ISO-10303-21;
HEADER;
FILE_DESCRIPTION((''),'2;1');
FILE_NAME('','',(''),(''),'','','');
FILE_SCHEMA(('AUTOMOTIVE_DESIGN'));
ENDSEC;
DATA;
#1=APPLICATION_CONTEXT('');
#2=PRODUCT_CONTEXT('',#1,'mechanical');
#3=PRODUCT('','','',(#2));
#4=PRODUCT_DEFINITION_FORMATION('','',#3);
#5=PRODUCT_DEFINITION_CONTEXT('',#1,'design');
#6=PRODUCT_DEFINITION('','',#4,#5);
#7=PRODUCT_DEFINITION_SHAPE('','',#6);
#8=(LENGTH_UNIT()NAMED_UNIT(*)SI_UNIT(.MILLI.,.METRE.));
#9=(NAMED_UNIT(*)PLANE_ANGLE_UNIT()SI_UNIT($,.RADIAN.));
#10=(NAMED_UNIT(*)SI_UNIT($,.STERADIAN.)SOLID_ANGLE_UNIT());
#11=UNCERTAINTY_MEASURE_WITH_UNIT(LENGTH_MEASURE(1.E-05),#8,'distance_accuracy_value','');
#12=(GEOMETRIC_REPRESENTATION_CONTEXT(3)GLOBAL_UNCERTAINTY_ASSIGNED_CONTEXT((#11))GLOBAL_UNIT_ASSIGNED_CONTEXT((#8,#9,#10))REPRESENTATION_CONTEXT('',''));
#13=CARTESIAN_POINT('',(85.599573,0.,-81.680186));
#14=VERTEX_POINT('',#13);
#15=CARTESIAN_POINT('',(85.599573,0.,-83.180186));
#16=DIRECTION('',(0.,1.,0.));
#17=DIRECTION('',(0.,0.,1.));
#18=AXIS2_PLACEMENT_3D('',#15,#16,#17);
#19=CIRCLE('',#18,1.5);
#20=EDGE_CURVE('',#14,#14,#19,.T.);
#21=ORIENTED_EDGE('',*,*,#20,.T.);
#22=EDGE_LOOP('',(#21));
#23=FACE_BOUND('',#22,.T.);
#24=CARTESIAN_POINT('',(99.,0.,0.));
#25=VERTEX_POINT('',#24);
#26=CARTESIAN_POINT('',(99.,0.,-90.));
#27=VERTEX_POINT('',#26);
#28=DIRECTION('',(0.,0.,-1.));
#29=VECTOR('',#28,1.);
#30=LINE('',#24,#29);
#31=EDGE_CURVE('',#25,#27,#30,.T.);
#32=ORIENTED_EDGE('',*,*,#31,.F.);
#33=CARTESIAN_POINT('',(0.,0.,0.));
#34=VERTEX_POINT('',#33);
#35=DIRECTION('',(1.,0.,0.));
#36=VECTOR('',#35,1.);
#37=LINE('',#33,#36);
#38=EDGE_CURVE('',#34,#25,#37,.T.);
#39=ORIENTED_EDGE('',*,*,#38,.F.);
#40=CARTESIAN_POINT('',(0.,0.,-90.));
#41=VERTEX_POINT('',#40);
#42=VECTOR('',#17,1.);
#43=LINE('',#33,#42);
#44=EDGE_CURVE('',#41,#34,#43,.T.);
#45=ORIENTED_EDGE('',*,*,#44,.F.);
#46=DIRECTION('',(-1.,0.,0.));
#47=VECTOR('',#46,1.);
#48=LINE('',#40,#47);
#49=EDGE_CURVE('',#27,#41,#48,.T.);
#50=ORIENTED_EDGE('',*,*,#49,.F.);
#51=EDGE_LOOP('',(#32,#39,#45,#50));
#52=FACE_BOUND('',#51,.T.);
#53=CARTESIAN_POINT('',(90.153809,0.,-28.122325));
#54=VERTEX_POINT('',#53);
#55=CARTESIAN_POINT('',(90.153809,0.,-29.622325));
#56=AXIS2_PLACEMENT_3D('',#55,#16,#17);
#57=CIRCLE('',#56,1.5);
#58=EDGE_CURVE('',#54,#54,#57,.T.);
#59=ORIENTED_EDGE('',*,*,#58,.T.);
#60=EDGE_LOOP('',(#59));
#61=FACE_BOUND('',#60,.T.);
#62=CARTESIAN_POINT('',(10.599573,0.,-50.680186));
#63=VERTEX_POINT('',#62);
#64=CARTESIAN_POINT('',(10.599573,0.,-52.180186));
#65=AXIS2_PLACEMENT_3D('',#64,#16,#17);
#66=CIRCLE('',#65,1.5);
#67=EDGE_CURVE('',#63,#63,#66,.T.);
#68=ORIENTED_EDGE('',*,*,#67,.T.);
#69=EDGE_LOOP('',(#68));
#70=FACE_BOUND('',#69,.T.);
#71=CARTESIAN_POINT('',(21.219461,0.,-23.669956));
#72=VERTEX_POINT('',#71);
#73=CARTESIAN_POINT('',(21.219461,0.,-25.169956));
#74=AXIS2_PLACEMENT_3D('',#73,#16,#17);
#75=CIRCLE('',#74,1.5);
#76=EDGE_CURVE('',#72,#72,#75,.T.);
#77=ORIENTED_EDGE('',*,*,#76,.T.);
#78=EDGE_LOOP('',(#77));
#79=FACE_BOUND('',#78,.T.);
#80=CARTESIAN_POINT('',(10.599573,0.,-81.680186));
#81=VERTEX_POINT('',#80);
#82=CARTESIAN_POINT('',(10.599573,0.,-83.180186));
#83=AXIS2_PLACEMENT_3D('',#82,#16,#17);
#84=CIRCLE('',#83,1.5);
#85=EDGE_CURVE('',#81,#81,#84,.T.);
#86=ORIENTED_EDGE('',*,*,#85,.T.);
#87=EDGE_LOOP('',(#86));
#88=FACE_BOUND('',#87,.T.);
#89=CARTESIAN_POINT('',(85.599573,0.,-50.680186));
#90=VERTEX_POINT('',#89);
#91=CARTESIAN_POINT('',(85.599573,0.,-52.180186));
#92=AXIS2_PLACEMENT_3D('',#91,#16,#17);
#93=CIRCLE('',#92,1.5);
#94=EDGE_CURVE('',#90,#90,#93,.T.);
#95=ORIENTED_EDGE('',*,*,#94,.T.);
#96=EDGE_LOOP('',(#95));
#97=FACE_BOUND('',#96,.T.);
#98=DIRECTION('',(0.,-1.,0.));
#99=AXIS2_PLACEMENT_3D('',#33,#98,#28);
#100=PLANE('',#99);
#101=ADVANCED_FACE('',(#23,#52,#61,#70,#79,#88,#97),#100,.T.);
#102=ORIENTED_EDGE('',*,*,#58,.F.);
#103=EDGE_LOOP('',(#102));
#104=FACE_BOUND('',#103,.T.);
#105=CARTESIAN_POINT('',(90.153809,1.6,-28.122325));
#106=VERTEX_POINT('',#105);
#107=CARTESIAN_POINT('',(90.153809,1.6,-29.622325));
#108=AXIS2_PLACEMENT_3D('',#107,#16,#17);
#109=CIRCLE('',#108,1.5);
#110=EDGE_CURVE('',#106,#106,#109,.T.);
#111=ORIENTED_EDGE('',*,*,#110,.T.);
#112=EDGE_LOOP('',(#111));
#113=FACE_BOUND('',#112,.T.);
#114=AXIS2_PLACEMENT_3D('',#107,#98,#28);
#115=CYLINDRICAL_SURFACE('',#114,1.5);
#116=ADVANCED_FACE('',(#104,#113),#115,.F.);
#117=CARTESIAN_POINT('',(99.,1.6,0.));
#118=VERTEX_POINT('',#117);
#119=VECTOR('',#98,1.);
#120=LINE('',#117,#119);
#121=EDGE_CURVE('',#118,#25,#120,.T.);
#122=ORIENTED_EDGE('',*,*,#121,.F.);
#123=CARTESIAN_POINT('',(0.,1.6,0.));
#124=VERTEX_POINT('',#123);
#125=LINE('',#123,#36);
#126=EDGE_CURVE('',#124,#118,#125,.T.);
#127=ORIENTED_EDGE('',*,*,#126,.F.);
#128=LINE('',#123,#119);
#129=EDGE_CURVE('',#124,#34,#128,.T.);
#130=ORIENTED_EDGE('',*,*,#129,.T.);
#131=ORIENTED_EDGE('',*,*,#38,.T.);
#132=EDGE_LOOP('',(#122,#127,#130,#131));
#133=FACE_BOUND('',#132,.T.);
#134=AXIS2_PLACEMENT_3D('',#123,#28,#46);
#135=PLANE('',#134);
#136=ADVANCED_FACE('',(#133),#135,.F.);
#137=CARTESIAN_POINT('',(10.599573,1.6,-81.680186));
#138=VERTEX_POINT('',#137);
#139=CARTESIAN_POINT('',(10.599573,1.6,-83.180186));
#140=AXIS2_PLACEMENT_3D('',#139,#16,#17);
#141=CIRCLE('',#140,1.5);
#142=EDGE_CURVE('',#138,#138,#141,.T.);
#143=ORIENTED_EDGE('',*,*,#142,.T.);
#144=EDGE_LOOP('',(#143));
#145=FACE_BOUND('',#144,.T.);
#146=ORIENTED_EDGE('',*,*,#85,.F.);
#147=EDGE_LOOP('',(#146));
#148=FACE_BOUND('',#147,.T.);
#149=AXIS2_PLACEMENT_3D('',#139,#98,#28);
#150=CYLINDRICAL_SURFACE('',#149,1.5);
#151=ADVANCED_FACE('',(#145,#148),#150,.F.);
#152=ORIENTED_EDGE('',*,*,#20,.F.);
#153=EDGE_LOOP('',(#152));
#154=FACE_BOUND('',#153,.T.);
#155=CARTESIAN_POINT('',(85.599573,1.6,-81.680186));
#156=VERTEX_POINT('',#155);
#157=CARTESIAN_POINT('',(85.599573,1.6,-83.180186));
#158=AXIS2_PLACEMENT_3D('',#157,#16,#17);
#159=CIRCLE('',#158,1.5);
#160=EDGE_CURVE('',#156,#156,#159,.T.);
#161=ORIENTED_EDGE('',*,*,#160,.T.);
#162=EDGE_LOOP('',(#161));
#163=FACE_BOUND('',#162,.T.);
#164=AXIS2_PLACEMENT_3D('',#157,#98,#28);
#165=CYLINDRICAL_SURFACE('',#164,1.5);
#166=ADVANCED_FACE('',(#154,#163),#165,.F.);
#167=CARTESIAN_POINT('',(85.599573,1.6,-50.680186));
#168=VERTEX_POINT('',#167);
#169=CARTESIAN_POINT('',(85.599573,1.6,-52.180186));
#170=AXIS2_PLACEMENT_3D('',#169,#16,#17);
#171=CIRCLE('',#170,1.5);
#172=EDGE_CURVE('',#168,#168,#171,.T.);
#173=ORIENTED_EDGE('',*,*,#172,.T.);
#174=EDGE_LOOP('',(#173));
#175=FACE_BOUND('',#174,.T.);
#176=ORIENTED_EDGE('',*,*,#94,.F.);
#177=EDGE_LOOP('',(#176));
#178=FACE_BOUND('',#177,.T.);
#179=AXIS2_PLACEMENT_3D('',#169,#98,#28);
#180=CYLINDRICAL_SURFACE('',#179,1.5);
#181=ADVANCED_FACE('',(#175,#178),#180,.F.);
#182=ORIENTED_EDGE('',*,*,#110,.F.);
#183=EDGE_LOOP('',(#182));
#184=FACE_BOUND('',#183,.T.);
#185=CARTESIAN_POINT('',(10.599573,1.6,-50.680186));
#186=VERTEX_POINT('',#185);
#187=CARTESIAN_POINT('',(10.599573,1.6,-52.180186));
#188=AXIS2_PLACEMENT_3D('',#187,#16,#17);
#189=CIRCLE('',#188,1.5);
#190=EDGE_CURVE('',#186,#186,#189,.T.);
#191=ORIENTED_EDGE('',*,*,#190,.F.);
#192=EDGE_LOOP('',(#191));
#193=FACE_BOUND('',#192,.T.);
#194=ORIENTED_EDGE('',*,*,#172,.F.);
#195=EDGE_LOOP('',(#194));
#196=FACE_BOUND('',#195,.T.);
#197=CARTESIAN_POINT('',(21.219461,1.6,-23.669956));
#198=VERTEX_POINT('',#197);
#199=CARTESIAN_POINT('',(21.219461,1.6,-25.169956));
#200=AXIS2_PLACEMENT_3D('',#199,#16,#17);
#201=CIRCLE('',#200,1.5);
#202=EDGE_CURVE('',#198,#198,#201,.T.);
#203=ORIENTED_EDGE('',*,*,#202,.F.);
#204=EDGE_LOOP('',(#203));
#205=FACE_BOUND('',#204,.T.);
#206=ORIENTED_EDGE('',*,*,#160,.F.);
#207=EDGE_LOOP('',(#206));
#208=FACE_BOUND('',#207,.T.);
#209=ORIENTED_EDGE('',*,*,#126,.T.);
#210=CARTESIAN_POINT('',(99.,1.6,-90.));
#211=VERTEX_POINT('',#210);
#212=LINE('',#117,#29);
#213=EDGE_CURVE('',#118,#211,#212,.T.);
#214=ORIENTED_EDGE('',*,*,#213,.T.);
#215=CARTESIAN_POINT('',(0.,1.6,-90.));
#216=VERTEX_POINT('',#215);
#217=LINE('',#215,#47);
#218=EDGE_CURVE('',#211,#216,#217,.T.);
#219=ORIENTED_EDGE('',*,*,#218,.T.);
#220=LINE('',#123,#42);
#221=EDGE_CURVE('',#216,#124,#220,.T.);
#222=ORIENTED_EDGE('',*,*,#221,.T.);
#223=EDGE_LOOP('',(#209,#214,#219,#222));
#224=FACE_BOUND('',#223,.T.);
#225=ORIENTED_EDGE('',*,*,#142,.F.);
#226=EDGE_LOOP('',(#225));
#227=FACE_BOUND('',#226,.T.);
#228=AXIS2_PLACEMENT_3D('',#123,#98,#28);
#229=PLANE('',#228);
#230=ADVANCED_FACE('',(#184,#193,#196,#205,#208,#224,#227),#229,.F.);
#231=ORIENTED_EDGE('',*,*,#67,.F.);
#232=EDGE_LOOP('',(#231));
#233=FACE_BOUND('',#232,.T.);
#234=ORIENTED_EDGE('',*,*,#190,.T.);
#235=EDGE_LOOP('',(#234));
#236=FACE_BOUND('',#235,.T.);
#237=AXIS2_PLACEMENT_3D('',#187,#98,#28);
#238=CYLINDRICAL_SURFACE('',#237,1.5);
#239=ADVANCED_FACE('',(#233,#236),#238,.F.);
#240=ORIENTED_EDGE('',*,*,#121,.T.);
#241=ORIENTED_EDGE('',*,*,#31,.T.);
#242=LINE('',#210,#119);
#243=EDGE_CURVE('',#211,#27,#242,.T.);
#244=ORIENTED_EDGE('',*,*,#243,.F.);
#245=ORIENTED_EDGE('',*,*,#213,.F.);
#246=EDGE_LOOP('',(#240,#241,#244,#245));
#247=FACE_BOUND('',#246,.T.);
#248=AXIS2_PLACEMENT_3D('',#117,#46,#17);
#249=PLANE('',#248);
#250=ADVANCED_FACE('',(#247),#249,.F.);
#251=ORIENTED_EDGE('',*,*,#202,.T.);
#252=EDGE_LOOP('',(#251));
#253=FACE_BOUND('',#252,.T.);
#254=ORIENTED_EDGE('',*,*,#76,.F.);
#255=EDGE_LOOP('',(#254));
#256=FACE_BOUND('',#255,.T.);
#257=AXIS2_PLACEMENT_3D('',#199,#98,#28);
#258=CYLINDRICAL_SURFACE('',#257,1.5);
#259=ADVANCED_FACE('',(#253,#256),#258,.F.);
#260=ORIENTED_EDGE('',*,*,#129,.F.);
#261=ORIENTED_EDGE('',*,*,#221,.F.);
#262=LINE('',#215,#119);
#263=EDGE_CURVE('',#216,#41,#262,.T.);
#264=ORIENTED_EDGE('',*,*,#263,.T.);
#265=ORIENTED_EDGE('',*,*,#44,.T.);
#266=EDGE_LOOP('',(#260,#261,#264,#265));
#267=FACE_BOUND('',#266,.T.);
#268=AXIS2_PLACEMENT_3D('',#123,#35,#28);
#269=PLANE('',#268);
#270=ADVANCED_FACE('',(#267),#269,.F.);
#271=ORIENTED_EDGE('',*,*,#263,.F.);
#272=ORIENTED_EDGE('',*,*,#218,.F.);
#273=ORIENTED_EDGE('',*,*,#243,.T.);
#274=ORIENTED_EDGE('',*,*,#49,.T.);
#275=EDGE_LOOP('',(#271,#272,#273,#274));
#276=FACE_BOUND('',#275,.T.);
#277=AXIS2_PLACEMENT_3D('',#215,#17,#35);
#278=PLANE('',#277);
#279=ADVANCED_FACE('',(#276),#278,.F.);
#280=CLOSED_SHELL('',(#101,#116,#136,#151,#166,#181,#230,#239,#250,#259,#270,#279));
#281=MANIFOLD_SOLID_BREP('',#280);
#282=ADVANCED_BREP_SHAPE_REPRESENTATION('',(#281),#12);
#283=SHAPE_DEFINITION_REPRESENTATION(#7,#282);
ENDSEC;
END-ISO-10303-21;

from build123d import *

# Parameters (mm, degrees)
SKETCH_1_W      = 99
SKETCH_1_H      = 90
SKETCH_1_R      = 1.5
EXTRUDE_1_DEPTH = 1.6


with BuildPart() as part:
    # Эскиз1 → Бобышка-Вытянуть1 (new body)
    with BuildSketch(Plane(origin=(0, 0, 0), x_dir=(1, 0, 0), z_dir=(0, 1, 0))):
        with Locations((49.5, 45)):
            Rectangle(SKETCH_1_W, SKETCH_1_H)
        with Locations(Location((10.599573333, 83.180186135, 0), (0, 0, 270))):
            Circle(SKETCH_1_R, mode=Mode.SUBTRACT)
        with Locations(Location((85.599573333, 83.180186135, 0), (0, 0, 270))):
            Circle(SKETCH_1_R, mode=Mode.SUBTRACT)
        with Locations(Location((10.599573333, 52.180186135, 0), (0, 0, 270))):
            Circle(SKETCH_1_R, mode=Mode.SUBTRACT)
        with Locations(Location((85.599573333, 52.180186135, 0), (0, 0, 270))):
            Circle(SKETCH_1_R, mode=Mode.SUBTRACT)
        with Locations(Location((21.219461241, 25.169956409, 0), (0, 0, 270))):
            Circle(SKETCH_1_R, mode=Mode.SUBTRACT)
        with Locations(Location((90.153808785, 29.62232479, 0), (0, 0, 270))):
            Circle(SKETCH_1_R, mode=Mode.SUBTRACT)
    extrude(amount=EXTRUDE_1_DEPTH)


solid = part.part
